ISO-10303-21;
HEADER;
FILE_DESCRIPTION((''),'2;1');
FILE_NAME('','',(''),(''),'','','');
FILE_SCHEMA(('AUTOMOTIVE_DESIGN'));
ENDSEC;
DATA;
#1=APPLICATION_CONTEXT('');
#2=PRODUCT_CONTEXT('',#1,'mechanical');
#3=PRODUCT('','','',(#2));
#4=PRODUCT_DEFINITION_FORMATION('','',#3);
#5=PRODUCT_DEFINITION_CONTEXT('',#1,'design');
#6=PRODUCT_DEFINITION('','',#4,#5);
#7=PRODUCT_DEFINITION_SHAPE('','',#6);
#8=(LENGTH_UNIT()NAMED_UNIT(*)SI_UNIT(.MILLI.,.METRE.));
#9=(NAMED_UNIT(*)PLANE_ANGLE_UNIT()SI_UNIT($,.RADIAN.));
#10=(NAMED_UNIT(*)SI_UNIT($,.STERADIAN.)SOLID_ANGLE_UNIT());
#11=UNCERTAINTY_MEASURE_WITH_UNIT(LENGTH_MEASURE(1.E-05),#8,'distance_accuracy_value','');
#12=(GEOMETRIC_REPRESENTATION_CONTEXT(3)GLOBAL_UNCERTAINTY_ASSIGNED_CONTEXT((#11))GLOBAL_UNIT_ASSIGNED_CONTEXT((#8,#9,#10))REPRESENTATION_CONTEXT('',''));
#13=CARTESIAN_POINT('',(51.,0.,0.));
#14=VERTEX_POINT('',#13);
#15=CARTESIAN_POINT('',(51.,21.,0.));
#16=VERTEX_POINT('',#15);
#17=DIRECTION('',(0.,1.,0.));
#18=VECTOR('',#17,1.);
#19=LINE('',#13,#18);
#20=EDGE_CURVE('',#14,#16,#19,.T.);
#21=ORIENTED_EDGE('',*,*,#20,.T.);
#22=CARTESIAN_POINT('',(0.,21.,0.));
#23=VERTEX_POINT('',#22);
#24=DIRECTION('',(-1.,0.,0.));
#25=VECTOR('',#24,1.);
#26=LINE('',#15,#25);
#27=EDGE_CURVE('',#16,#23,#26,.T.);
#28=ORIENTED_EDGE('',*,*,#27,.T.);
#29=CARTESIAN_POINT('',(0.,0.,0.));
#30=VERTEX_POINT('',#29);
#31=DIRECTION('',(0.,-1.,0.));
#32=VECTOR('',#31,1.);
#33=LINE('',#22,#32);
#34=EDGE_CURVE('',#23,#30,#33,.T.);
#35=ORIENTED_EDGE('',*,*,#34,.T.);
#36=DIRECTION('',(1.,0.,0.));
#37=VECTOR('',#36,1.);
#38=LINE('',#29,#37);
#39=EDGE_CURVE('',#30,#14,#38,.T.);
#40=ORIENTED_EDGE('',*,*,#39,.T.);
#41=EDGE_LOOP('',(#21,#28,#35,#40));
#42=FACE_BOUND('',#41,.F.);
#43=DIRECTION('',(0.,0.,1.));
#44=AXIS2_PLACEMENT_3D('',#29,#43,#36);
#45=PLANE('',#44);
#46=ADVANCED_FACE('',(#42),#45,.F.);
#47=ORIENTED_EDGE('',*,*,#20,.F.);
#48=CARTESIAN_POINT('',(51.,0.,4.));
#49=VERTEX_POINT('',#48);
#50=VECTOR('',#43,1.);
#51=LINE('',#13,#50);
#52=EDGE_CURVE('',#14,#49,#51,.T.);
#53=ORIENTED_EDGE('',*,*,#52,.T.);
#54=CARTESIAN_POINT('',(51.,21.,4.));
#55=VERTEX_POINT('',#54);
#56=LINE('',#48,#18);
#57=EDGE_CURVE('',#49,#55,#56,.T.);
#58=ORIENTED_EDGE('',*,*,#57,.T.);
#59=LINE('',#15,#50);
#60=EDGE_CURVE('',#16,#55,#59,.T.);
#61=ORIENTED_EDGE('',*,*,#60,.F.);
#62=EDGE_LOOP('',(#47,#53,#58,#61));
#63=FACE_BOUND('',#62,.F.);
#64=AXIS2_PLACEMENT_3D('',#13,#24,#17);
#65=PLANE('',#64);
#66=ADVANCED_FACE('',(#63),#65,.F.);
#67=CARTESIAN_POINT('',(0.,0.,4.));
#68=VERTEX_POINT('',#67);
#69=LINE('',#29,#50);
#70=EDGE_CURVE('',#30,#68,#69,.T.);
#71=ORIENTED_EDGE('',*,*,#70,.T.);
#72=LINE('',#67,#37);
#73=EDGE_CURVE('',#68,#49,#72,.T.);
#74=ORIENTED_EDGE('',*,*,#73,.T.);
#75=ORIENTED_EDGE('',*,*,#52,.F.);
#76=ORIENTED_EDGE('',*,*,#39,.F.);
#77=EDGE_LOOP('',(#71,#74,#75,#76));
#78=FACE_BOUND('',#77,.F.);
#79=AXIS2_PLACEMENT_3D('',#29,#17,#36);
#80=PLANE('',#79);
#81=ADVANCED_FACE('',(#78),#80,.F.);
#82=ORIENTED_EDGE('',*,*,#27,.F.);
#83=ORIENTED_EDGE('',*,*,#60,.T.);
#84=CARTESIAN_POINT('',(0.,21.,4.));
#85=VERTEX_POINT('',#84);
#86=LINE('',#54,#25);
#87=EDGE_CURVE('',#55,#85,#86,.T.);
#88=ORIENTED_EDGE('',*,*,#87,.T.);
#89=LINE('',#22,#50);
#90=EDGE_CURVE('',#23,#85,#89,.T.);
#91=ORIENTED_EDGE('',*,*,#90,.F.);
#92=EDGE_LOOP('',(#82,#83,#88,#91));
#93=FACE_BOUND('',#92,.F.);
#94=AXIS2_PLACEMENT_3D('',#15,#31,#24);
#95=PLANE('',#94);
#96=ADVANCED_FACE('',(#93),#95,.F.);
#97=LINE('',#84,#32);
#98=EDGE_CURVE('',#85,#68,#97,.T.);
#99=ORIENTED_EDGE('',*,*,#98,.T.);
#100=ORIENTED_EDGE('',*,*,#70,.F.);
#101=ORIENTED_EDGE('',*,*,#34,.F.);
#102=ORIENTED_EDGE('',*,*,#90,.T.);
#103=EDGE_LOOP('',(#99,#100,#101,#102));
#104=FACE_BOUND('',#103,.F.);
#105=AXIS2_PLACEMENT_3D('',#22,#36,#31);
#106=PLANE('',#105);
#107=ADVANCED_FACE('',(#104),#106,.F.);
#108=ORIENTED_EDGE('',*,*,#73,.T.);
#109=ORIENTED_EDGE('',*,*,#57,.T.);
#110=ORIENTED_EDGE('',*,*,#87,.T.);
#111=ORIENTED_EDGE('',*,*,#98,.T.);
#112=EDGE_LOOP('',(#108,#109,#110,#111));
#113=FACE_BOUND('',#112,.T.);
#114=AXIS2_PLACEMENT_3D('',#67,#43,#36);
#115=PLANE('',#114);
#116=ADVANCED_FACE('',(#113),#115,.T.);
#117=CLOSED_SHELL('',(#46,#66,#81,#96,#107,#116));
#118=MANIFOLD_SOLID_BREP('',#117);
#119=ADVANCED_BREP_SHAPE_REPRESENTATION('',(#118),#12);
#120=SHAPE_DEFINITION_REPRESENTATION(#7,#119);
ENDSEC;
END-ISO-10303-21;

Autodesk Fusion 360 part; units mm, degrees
sketch "Esquisse1" plane through (0, 0, 0) normal (0, 0, 1) x (1, 0, 0)
  line L0 (0, 0) -> (51, 0)
  line L1 (51, 0) -> (51, 21)
  line L2 (51, 21) -> (0, 21)
  line L3 (0, 21) -> (0, 0)
  dimension "d1" = 51
  dimension "d2" = 21
extrude "Extrusion1" add sketch "Esquisse1" along normal blind 4
